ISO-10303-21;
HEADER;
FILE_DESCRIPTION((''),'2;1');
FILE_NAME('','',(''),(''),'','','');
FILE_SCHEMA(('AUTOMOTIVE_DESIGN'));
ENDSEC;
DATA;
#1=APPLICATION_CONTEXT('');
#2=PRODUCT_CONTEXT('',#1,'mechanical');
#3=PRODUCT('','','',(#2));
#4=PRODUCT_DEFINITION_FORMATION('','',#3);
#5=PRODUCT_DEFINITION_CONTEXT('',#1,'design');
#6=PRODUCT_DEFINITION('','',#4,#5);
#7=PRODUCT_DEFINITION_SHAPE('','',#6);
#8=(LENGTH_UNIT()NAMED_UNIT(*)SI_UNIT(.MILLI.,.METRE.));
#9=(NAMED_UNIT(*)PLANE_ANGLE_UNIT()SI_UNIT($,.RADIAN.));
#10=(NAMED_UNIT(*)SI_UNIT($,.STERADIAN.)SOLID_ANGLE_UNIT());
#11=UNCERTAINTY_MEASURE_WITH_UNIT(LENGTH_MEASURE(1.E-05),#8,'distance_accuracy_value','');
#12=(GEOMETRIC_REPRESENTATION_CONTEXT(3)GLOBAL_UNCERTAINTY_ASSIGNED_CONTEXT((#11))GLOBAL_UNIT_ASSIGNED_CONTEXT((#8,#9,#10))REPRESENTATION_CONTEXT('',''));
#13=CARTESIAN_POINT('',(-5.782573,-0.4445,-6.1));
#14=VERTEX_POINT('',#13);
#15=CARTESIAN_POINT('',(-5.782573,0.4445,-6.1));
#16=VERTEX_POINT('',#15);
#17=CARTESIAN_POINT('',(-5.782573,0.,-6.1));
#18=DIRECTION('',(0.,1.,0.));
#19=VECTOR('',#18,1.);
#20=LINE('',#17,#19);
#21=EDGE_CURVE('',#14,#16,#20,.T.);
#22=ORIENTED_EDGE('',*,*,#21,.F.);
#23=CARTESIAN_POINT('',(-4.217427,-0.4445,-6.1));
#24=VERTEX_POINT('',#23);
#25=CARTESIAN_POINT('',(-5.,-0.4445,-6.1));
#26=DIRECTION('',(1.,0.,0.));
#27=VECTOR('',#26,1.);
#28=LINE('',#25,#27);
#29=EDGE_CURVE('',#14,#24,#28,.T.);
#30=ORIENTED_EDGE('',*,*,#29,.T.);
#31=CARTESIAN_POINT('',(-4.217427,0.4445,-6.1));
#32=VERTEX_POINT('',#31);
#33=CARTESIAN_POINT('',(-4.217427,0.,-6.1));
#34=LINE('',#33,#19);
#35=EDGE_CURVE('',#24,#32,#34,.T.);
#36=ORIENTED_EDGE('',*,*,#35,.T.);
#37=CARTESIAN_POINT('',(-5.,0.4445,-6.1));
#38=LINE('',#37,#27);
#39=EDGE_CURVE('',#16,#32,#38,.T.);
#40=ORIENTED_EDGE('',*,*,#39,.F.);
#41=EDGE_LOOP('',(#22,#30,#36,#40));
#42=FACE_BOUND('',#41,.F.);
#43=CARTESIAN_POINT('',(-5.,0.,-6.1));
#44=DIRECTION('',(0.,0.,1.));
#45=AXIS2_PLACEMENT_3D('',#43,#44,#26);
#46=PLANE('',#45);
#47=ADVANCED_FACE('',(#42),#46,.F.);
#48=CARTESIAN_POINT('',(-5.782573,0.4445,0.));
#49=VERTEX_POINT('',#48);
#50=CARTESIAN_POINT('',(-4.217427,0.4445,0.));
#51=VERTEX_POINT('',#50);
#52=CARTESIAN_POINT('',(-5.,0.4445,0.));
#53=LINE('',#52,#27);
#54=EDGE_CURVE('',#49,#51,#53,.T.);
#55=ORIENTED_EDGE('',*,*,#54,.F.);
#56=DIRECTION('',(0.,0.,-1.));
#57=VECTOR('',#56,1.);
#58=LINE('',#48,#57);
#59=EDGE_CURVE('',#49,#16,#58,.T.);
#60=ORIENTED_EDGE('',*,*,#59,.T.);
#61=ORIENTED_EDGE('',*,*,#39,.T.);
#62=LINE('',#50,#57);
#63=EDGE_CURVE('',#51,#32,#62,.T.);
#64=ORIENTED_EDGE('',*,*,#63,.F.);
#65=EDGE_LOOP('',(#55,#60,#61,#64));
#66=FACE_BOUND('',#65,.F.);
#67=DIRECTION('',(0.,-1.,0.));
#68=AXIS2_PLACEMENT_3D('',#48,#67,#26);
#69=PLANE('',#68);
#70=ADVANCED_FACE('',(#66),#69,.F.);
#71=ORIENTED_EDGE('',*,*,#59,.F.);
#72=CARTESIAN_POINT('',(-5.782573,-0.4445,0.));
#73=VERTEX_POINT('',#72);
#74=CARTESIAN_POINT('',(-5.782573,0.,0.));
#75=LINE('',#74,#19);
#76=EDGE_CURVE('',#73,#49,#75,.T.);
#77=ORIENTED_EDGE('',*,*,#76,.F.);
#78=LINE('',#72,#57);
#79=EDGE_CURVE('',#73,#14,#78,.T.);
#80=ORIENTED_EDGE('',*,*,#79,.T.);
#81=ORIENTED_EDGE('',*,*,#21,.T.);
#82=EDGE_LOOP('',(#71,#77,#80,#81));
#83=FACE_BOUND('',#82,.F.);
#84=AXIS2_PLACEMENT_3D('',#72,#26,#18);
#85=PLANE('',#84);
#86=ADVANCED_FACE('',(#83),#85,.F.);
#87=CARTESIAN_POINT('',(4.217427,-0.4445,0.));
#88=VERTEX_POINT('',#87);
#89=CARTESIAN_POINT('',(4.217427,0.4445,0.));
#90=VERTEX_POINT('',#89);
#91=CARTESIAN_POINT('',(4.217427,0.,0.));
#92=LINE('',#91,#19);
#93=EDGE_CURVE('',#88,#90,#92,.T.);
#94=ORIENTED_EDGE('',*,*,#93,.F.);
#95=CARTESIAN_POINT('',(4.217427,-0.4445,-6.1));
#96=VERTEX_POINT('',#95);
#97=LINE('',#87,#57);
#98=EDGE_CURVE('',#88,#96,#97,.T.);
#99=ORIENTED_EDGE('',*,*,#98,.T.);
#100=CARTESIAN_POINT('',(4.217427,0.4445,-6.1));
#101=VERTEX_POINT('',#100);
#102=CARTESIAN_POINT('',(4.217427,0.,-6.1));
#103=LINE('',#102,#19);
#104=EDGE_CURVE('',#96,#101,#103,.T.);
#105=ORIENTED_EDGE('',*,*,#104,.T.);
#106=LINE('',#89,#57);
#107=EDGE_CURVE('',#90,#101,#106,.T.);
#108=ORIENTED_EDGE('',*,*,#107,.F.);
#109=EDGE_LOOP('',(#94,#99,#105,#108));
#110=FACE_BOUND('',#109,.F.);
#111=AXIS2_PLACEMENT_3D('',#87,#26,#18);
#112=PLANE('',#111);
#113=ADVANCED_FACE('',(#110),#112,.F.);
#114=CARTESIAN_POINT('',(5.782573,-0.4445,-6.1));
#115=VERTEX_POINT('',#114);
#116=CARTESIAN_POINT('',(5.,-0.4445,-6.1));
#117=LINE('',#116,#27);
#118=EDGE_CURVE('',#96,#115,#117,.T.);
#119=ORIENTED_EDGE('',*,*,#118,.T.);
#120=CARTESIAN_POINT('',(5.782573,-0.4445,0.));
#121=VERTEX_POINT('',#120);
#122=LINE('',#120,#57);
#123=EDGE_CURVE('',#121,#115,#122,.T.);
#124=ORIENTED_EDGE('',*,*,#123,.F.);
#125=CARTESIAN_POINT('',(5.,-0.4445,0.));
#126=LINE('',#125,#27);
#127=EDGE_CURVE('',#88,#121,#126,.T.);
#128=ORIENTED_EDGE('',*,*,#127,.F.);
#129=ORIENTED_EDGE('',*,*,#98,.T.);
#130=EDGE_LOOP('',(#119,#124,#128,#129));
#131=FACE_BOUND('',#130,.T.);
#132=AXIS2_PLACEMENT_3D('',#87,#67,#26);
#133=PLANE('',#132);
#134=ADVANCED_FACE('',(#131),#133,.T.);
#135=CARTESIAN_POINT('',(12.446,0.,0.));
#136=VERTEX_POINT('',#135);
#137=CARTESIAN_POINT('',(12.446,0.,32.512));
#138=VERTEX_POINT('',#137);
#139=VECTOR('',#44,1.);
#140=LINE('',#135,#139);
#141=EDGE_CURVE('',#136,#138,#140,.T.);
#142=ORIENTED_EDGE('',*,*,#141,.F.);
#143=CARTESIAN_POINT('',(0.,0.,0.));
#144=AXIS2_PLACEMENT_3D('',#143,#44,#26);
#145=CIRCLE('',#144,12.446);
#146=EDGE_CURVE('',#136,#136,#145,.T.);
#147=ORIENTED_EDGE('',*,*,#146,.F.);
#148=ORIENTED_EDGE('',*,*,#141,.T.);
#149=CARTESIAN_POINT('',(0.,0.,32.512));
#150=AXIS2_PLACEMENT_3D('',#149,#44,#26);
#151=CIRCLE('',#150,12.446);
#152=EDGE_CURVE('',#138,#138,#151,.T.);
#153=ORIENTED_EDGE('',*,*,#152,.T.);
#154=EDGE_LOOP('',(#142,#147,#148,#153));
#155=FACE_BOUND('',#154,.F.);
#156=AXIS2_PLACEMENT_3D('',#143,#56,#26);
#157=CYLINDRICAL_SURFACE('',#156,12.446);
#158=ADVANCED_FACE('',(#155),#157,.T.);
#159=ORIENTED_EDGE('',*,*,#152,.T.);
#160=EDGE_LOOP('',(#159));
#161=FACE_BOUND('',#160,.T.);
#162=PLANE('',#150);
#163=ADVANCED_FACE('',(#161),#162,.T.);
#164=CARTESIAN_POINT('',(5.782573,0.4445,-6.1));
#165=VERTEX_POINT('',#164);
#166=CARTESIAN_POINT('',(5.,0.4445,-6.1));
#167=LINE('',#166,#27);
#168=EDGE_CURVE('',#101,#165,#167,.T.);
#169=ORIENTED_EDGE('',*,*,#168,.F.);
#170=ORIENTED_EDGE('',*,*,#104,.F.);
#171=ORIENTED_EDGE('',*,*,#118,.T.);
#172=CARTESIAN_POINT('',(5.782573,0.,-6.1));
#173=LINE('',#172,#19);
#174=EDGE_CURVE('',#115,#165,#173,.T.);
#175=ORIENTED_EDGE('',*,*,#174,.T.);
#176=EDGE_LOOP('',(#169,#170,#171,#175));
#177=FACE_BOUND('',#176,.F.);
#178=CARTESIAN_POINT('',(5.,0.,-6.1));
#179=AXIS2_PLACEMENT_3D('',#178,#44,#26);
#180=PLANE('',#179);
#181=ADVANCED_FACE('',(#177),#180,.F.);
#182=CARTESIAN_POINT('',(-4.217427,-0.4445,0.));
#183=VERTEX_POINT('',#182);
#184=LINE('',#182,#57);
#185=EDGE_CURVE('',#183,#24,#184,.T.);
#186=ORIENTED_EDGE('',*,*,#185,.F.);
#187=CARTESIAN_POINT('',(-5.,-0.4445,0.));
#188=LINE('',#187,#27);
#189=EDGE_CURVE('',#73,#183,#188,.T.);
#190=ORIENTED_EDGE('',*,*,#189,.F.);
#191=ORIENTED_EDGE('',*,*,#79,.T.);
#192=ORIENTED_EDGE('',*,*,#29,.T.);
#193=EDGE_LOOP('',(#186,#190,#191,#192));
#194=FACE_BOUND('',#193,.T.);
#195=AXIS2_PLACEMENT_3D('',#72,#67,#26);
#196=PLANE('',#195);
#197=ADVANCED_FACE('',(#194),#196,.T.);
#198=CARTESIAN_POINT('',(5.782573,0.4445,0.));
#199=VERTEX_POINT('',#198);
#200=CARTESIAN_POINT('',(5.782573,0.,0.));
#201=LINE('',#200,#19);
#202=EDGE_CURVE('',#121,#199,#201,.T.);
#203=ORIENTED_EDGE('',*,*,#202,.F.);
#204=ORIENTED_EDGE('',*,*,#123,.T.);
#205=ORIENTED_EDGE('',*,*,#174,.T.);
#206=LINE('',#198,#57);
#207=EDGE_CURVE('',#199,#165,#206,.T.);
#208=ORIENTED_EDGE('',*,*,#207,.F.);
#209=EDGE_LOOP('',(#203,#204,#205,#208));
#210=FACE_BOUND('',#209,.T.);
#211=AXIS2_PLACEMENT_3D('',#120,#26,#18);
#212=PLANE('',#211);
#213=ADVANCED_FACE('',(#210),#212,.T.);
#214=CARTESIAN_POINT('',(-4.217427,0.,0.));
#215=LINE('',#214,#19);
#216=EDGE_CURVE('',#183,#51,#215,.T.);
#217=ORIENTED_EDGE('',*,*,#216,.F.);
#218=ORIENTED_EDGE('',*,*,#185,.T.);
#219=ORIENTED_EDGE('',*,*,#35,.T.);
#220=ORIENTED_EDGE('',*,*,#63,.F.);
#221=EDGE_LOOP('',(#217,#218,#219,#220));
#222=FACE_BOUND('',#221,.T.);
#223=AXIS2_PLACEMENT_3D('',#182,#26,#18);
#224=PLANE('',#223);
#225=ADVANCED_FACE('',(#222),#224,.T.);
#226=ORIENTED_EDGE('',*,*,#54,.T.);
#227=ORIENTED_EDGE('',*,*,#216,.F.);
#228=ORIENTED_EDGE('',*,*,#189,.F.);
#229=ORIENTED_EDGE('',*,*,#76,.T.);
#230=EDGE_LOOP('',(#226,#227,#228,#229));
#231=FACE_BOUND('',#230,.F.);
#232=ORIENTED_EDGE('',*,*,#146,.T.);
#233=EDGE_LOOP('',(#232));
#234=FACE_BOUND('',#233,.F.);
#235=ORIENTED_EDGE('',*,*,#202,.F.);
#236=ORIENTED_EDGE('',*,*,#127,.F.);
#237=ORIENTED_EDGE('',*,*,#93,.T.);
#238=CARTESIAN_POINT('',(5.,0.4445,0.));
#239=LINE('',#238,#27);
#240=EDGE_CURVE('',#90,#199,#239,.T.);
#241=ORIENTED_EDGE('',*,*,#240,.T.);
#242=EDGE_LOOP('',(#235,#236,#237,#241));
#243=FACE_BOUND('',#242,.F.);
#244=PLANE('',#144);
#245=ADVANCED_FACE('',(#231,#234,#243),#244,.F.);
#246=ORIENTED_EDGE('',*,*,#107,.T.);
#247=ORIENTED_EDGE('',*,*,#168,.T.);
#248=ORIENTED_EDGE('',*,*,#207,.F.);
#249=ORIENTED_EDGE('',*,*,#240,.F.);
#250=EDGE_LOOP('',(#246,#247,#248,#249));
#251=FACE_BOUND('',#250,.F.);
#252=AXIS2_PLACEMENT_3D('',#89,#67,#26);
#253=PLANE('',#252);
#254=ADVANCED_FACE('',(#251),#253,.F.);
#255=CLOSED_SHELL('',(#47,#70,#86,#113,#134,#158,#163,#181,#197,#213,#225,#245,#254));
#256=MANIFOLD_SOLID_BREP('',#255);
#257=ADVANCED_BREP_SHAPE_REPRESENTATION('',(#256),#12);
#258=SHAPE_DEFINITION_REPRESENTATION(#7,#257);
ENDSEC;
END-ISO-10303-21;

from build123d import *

# Parameters (mm, degrees)
SKETCH1_R           = 12.446
BOSS_EXTRUDE1_DEPTH = 32.512
SKETCH2_W           = 1.565145042
SKETCH2_H           = 0.889
BOSS_EXTRUDE2_DEPTH = 6.1


with BuildPart() as part:
    # Sketch1 → Boss-Extrude1 (new body)
    with BuildSketch(Plane.XY):
        Circle(SKETCH1_R)
    extrude(amount=BOSS_EXTRUDE1_DEPTH)

    # Sketch2 → Boss-Extrude2 (add)
    with BuildSketch(Plane.XY):
        with Locations((-5, 0)):
            Rectangle(SKETCH2_W, SKETCH2_H)
        with Locations((5, 0)):
            Rectangle(SKETCH2_W, SKETCH2_H)
    extrude(amount=-BOSS_EXTRUDE2_DEPTH)


solid = part.part
